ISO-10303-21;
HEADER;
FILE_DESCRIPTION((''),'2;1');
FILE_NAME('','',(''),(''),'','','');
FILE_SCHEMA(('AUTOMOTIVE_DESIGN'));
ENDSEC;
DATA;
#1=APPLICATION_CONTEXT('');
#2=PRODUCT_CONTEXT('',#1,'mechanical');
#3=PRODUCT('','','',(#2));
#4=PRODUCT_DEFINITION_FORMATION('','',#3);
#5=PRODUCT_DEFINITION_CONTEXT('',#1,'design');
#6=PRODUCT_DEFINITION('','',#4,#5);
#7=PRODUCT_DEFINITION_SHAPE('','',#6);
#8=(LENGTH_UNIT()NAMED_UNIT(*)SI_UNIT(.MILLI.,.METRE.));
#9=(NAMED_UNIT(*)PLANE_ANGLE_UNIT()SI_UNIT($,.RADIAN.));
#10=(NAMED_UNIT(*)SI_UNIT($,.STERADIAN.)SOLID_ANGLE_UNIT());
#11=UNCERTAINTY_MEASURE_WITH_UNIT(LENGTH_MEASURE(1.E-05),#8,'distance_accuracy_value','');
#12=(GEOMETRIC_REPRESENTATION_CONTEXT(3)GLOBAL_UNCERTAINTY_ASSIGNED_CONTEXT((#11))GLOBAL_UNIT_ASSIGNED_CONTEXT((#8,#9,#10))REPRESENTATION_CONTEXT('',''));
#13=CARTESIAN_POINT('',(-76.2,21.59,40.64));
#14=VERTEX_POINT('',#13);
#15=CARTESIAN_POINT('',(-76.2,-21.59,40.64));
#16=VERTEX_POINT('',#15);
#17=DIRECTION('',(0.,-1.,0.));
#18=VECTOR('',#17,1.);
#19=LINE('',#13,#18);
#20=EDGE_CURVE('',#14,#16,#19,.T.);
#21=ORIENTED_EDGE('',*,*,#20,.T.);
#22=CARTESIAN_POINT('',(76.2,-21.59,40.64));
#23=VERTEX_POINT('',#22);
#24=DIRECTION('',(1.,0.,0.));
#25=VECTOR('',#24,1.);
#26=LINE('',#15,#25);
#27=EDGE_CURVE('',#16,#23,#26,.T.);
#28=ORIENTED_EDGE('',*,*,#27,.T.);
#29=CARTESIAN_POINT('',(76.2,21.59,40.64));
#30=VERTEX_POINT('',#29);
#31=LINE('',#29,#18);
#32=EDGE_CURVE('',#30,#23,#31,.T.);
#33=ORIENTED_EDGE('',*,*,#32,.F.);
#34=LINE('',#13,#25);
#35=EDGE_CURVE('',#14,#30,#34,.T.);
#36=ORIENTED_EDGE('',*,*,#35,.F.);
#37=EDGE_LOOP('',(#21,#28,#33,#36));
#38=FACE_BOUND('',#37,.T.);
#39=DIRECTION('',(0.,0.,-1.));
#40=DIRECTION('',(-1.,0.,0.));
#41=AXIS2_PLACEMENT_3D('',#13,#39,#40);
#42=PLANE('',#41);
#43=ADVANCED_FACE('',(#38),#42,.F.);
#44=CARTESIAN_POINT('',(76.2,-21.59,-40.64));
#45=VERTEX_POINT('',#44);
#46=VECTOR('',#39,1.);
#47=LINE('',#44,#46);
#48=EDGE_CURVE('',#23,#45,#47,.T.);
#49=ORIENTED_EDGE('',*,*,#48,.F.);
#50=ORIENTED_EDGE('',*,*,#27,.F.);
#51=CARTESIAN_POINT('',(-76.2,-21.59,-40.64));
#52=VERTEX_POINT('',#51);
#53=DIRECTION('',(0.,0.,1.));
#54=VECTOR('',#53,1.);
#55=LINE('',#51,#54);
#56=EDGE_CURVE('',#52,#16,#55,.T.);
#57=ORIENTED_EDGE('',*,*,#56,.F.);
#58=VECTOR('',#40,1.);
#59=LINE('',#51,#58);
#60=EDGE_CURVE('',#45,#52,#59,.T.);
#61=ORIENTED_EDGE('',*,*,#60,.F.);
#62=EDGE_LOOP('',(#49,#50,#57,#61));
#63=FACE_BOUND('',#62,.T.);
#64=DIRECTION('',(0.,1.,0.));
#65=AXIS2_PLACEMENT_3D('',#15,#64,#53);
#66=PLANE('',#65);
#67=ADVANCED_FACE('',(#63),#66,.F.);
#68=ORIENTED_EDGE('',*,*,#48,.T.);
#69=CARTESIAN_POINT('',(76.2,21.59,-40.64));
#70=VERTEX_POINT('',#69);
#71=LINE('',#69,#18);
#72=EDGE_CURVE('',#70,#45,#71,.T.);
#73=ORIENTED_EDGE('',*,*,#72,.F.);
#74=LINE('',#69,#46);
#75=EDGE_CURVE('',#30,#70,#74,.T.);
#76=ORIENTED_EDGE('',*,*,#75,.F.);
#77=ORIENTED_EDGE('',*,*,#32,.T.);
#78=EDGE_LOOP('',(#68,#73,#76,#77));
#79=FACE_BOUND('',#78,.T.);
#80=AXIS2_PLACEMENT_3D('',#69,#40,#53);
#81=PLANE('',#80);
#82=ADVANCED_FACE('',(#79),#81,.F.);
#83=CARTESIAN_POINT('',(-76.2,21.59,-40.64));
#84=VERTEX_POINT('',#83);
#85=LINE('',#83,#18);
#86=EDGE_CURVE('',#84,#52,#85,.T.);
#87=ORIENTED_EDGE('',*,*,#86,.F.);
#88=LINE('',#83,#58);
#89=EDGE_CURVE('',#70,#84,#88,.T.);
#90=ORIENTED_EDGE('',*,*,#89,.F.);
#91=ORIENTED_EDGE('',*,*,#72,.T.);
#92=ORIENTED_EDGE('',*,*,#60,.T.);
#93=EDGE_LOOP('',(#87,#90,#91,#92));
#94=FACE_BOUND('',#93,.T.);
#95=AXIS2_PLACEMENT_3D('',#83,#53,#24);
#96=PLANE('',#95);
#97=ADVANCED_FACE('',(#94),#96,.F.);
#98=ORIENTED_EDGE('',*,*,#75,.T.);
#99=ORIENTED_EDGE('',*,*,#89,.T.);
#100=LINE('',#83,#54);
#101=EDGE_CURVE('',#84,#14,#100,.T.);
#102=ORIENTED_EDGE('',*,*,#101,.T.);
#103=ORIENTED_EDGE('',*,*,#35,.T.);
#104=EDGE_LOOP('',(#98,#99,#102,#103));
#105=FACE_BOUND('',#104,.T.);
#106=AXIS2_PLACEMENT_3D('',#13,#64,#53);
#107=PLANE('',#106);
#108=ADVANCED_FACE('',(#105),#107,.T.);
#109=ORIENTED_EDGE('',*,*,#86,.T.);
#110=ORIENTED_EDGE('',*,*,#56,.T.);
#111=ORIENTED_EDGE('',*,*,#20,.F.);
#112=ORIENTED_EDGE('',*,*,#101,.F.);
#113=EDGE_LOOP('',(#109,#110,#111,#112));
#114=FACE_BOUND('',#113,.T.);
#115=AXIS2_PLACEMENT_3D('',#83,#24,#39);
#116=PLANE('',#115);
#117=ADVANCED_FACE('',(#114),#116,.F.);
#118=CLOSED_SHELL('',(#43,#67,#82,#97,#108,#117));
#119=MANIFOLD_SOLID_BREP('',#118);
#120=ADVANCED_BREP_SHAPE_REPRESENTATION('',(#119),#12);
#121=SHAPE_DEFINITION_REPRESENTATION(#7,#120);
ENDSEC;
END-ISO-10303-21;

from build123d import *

# Parameters (mm, degrees)
SKETCH1_W           = 152.4
SKETCH1_H           = 81.28
BOSS_EXTRUDE1_DEPTH = 21.59


with BuildPart() as part:
    # Sketch1 → Boss-Extrude1 (new body, symmetric)
    with BuildSketch(Plane(origin=(0, 0, 0), x_dir=(1, 0, 0), z_dir=(0, 1, 0))):
        Rectangle(SKETCH1_W, SKETCH1_H)
    extrude(amount=BOSS_EXTRUDE1_DEPTH, both=True)


solid = part.part
